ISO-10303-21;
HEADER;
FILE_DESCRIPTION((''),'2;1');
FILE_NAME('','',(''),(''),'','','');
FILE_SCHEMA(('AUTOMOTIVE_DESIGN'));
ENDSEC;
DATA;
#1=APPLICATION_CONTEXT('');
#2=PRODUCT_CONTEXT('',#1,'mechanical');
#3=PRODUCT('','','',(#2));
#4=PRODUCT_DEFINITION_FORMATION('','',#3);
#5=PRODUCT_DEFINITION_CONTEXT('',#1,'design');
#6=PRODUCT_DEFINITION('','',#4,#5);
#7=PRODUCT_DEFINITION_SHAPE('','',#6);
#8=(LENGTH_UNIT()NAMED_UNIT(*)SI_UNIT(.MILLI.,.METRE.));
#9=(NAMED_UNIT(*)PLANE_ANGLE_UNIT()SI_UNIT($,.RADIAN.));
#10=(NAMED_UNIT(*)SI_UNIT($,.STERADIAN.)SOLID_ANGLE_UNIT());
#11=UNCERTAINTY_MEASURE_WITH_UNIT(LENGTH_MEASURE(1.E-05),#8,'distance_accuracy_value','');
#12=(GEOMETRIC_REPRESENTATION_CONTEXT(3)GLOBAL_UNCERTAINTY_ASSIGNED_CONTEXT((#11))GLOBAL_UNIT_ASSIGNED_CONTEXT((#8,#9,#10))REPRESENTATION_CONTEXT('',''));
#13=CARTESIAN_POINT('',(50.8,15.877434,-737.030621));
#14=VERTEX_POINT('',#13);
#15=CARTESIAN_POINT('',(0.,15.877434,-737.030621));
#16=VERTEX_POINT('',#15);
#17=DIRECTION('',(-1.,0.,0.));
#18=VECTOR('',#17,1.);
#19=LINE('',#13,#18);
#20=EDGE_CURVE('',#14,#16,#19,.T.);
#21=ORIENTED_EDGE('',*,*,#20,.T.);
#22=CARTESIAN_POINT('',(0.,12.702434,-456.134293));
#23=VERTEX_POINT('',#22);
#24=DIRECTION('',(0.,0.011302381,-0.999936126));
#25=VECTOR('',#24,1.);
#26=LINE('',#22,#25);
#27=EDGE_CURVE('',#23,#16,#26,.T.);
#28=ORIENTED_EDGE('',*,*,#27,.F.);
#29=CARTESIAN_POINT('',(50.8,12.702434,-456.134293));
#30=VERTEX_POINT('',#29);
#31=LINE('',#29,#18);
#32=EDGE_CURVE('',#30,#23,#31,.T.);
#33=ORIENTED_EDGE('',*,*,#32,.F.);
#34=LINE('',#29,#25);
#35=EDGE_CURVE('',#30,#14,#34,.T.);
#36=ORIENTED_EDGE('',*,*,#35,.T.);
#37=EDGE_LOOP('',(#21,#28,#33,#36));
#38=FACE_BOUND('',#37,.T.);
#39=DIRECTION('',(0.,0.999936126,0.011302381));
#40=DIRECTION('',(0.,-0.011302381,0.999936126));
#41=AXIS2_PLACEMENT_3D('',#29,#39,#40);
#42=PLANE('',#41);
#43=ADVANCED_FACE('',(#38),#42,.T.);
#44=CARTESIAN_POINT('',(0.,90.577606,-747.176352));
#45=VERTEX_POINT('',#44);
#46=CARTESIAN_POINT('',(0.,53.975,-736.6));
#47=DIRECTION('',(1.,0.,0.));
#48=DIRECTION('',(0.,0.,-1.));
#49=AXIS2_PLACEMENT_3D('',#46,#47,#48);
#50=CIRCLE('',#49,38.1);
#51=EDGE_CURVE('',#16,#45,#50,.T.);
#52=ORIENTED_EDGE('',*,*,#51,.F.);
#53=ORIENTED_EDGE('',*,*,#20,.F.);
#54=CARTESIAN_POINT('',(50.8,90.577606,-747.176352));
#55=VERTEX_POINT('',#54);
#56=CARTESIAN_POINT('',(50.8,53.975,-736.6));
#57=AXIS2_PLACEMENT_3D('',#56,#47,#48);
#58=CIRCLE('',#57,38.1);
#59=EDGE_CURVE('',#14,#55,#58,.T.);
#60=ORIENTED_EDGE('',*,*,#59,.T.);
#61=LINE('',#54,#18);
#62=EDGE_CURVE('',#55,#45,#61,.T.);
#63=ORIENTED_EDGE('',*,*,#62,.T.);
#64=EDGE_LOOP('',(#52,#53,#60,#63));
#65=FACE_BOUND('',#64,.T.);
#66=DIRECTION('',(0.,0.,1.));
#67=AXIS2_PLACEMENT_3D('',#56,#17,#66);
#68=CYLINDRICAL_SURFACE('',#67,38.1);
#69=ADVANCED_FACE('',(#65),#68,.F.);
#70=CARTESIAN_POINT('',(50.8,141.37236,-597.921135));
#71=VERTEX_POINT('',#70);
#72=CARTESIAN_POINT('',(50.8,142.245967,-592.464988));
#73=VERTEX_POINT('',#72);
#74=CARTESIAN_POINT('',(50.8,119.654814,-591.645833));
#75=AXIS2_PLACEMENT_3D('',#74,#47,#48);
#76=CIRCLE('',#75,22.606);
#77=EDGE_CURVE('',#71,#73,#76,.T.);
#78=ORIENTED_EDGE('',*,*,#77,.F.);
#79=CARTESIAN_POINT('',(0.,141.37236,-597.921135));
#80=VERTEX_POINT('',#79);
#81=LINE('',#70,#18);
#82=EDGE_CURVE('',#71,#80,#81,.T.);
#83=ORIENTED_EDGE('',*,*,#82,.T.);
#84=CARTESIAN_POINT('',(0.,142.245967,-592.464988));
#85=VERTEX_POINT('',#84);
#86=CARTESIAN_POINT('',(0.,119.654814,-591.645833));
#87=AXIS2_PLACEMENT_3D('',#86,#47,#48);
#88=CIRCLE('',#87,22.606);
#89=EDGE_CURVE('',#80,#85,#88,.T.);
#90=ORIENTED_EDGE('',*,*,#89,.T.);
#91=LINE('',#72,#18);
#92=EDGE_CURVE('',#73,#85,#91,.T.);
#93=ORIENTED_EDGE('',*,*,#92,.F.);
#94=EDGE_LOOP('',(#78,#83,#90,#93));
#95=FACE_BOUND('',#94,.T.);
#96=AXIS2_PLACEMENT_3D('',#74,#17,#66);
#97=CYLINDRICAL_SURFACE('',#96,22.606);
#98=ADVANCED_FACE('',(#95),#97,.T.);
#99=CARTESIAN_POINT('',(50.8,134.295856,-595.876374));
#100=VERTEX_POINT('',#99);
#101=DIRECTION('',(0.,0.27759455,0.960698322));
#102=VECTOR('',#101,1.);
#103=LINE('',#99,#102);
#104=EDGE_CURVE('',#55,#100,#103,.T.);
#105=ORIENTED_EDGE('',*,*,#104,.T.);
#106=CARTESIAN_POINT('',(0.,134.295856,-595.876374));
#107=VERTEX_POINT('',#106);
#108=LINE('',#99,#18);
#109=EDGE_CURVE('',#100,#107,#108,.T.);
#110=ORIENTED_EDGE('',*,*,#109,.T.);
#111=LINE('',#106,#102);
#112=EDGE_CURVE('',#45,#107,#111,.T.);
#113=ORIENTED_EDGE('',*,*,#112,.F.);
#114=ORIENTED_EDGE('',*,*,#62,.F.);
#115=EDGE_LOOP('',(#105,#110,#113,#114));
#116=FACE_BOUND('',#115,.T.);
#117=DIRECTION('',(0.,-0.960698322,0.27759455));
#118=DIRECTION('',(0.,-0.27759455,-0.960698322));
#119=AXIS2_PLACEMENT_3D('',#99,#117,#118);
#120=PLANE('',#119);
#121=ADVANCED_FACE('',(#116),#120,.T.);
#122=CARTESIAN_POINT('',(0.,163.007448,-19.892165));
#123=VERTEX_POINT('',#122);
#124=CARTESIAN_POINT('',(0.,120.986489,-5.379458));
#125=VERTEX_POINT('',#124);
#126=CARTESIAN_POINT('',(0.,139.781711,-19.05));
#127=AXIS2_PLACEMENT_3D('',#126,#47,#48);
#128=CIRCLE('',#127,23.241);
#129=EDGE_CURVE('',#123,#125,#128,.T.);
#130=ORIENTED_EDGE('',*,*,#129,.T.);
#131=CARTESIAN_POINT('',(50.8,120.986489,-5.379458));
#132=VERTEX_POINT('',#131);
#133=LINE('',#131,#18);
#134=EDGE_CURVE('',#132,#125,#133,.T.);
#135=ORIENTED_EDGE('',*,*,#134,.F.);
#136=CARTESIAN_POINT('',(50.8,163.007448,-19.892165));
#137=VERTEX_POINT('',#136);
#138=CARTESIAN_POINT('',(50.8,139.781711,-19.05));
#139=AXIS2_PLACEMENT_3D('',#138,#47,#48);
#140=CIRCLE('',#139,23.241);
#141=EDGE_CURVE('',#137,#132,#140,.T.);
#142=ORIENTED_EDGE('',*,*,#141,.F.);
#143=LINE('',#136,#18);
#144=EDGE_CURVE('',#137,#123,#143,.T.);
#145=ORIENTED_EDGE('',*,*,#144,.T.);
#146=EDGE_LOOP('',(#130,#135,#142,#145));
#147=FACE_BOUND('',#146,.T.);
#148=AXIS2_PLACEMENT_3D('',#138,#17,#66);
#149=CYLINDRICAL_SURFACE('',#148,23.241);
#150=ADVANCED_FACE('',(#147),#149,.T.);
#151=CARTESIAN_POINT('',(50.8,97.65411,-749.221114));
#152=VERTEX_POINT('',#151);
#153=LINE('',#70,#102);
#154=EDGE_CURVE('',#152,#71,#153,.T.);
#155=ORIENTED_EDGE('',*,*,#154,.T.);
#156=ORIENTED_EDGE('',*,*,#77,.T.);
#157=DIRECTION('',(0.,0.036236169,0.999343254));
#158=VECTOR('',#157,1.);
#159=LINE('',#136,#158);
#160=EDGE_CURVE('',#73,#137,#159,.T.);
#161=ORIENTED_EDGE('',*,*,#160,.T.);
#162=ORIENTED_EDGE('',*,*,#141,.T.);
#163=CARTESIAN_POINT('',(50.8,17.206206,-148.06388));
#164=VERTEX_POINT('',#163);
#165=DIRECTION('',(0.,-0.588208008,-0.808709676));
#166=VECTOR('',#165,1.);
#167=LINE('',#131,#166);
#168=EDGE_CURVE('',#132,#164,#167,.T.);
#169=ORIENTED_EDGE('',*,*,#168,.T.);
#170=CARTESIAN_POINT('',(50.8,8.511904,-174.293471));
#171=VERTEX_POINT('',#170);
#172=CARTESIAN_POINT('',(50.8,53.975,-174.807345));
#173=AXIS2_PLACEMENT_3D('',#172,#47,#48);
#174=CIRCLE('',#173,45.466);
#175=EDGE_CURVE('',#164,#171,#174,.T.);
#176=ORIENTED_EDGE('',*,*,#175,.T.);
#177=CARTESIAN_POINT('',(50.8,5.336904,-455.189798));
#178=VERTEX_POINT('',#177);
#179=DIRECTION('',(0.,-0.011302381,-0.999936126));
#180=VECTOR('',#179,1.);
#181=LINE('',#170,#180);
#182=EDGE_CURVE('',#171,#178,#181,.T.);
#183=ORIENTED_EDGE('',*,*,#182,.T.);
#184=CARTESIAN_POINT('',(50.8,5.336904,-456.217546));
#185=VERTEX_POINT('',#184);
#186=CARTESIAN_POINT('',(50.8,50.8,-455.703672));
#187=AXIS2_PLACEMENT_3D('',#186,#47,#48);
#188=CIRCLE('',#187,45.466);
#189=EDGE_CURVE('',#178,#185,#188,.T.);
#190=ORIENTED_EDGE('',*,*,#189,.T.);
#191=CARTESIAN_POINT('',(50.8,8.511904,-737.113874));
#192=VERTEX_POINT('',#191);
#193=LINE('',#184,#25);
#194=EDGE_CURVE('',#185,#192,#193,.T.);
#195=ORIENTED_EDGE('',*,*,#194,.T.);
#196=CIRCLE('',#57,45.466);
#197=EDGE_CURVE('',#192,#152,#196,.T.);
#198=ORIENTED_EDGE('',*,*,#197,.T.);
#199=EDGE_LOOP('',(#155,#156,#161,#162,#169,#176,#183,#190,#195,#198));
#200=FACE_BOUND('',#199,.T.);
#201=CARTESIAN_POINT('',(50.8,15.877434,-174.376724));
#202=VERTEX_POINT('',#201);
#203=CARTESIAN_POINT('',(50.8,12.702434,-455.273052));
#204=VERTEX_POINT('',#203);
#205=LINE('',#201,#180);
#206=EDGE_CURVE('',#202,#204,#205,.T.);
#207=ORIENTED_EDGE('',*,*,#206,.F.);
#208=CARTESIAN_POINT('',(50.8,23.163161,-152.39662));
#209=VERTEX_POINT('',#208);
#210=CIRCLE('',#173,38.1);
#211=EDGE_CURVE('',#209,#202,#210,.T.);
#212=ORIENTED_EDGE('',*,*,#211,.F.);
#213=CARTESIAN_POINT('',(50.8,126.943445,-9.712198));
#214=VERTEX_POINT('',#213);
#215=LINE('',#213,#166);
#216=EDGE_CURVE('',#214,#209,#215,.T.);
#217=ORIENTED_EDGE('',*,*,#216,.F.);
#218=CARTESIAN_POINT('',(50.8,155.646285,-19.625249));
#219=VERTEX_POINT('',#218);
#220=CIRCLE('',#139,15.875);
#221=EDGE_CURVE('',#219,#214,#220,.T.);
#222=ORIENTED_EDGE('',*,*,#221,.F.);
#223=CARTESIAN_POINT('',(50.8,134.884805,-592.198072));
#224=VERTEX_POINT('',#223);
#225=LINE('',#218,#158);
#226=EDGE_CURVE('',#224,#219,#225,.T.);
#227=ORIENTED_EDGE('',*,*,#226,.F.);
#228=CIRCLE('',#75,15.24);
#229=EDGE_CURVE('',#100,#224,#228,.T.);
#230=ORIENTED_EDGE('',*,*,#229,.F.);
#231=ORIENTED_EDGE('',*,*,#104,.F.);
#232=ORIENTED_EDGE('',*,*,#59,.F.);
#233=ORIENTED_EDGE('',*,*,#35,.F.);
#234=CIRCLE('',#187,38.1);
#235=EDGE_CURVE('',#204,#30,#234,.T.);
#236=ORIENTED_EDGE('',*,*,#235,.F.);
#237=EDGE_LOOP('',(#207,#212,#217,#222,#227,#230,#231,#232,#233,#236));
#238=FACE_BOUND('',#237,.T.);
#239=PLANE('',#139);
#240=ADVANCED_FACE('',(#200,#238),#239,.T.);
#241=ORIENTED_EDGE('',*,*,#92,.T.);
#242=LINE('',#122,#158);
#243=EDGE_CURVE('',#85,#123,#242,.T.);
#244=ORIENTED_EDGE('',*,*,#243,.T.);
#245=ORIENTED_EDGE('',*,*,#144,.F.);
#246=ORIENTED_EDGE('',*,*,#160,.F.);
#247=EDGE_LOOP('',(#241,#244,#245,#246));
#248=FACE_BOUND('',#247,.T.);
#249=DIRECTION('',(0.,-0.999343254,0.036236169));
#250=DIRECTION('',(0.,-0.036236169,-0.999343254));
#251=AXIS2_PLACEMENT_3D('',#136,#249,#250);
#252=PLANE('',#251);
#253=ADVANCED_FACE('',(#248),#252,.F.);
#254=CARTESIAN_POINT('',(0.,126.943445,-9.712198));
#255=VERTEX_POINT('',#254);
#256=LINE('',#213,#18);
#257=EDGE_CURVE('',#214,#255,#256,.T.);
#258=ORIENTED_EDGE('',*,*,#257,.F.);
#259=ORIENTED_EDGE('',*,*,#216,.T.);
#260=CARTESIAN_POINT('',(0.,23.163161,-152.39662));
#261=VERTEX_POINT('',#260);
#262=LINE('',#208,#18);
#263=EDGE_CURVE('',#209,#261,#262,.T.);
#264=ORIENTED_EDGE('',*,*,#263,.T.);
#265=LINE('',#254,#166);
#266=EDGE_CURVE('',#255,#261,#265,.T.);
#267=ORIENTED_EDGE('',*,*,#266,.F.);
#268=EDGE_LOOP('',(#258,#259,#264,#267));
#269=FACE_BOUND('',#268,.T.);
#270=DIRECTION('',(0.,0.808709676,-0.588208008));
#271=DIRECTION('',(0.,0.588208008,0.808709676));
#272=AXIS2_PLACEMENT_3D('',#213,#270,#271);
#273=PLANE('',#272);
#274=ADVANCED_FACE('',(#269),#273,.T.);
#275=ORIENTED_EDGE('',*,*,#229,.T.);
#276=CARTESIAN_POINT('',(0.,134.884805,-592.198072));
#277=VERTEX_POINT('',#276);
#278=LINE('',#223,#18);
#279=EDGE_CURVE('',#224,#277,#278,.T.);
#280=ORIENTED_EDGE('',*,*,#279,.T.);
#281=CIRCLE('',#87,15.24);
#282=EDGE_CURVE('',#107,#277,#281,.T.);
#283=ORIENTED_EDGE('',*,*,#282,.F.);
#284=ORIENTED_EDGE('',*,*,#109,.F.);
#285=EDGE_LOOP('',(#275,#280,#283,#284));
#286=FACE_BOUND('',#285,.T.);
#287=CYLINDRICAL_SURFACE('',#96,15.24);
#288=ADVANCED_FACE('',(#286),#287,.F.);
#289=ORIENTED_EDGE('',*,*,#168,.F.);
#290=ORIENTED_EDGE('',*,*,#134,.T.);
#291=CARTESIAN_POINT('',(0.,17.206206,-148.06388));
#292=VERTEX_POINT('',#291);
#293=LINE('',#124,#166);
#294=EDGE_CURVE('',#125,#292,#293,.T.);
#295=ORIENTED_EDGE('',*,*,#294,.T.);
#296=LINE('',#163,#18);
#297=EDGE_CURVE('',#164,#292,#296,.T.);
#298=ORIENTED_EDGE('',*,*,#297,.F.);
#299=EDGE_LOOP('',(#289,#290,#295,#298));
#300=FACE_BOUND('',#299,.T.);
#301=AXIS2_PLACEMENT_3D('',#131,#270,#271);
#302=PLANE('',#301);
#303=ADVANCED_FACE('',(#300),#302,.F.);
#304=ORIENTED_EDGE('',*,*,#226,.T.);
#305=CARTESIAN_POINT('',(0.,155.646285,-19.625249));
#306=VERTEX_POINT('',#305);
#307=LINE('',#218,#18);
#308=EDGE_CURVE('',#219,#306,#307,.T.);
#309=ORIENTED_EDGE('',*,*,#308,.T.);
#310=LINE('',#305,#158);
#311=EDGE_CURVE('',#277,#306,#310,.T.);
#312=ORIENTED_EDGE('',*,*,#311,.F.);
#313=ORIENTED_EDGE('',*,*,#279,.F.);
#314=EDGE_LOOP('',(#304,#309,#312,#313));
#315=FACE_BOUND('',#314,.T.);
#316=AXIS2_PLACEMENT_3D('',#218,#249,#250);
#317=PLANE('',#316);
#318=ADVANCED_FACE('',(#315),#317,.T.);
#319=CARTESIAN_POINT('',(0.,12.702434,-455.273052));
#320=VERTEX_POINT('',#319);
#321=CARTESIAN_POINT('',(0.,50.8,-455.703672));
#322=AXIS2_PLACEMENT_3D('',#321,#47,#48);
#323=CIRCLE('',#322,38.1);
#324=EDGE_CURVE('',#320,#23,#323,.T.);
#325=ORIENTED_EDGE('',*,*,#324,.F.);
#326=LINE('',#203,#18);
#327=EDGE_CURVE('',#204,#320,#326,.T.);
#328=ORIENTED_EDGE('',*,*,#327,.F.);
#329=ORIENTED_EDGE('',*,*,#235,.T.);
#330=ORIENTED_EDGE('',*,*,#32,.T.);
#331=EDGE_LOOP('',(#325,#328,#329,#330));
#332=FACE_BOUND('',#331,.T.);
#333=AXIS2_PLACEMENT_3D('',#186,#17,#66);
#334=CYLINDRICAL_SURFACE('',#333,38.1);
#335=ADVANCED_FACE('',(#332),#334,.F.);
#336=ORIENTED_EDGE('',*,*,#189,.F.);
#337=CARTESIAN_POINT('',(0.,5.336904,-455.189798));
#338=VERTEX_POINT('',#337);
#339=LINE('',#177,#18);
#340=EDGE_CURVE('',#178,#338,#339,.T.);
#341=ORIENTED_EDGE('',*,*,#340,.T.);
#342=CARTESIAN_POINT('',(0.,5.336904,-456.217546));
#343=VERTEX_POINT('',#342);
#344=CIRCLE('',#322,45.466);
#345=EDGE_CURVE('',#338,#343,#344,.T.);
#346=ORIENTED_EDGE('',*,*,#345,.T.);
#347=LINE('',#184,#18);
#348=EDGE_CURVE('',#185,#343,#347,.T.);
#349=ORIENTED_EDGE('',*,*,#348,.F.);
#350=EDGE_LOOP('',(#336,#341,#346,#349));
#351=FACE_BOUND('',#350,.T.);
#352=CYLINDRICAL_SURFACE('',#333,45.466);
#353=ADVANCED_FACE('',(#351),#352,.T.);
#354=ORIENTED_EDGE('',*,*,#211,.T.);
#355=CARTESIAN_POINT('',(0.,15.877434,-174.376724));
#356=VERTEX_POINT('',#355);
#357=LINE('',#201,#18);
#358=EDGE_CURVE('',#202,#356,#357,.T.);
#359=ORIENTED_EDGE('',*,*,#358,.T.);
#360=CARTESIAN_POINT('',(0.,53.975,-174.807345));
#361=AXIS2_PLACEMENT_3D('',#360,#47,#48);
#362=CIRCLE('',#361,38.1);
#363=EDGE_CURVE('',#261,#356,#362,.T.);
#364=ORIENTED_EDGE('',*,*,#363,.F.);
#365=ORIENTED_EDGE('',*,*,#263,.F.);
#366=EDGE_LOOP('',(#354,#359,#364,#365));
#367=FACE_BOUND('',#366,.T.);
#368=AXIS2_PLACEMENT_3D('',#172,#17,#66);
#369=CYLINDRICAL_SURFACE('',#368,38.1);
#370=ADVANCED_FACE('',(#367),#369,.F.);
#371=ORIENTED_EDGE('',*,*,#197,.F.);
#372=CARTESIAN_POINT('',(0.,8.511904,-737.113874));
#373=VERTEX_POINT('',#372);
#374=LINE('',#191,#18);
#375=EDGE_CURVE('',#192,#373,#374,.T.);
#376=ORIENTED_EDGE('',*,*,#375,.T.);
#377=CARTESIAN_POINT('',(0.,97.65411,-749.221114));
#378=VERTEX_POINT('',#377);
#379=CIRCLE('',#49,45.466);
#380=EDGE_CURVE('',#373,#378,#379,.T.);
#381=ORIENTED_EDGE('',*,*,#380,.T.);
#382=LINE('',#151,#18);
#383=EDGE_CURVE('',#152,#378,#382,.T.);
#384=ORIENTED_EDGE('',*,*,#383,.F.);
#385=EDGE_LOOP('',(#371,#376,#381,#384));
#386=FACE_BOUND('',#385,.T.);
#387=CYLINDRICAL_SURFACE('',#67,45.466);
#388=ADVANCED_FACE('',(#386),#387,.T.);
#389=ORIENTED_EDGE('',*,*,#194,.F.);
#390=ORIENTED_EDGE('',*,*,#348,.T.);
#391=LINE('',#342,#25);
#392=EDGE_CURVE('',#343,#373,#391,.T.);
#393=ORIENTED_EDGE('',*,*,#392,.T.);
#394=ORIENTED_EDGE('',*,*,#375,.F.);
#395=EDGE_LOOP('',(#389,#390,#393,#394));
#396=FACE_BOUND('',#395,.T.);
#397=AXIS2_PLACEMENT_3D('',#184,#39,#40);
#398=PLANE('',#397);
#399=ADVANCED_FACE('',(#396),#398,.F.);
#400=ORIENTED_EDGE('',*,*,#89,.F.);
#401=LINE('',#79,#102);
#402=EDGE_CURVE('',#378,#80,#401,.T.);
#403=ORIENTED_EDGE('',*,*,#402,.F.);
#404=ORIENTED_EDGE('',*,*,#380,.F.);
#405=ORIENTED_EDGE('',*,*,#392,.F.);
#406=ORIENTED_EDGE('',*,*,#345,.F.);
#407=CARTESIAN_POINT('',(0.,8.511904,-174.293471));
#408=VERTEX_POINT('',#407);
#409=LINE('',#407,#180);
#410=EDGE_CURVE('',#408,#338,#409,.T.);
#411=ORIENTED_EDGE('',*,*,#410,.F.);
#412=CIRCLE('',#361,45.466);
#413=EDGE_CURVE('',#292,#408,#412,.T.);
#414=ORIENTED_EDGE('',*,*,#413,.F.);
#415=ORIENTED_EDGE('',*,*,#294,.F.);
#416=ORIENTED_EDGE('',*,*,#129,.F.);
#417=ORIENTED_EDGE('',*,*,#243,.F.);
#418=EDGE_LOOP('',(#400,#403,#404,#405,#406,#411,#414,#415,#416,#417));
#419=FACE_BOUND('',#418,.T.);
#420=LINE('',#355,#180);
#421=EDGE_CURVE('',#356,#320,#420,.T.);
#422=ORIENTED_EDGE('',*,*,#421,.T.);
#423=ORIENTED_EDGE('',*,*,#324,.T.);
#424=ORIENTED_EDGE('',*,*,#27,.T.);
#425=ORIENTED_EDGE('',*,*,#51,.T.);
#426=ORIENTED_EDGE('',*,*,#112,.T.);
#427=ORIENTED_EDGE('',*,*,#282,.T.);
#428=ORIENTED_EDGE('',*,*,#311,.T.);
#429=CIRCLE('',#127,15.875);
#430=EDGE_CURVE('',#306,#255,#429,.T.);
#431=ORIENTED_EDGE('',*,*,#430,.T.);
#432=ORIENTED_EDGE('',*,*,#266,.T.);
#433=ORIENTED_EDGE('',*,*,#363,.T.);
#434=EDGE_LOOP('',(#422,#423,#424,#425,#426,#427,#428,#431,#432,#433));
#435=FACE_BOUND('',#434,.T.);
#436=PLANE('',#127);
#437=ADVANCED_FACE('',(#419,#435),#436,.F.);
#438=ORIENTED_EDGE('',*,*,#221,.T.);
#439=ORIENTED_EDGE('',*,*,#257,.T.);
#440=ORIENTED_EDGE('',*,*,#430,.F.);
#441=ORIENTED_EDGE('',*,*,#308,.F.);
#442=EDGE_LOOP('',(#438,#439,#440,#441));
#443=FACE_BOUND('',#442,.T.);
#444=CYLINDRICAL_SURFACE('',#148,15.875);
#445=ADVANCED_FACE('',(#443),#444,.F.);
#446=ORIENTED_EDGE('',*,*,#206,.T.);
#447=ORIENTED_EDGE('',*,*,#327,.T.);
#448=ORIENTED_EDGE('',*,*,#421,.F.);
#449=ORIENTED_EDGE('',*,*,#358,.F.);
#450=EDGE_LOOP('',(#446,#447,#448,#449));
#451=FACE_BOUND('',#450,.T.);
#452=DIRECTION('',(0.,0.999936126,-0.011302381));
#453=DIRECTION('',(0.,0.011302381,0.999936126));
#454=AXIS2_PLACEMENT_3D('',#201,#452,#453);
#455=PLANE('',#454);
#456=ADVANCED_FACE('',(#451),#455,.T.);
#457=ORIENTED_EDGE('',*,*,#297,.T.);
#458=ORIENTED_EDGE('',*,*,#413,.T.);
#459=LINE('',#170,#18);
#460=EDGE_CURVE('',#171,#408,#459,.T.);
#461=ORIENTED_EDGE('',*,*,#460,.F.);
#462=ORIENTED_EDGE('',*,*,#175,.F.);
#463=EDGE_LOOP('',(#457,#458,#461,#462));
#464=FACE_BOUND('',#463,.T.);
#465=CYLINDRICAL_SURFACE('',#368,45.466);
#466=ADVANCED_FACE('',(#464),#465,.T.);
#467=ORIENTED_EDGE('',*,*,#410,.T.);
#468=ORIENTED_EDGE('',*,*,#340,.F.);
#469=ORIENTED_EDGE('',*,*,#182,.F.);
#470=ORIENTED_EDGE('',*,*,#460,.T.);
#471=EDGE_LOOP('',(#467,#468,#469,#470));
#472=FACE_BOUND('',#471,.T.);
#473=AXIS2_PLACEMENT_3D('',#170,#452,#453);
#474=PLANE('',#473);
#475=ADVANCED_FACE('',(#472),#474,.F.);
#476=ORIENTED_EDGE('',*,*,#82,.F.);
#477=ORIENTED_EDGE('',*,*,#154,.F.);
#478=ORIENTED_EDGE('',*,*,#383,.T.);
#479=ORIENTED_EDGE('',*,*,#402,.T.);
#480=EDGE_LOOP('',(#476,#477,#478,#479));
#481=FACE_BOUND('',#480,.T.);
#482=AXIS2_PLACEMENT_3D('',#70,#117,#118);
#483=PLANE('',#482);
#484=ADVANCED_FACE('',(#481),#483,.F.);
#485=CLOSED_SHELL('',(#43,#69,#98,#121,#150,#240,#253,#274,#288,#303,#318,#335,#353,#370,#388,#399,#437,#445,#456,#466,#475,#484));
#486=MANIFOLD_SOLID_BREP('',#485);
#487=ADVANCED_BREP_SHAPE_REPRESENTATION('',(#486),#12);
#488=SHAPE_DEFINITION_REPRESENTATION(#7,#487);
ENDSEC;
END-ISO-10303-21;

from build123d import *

# Parameters (mm, degrees)
EXTRUDE_THIN1_DEPTH = 50.8


with BuildPart() as part:
    # Sketch1 → Extrude-Thin1 (new body)
    with BuildSketch(Plane(origin=(0, 0, 0), x_dir=(0, 0, -1), z_dir=(1, 0, 0))):
        with BuildLine():
            Line((737.113874036, 8.511904093), (456.21754645, 5.336904093))
            ThreePointArc((456.21754645, 5.336904093), (455.703672415, 5.334), (455.189798379, 5.336904093))
            Line((455.189798379, 5.336904093), (174.293470793, 8.511904093))
            ThreePointArc((174.293470793, 8.511904093), (160.502158444, 10.818090953), (148.063879552, 17.206205881))
            Line((148.063879552, 17.206205881), (5.379457693, 120.98648949))
            ThreePointArc((5.379457693, 120.98648949), (-2.917750189, 147.368675717), (19.892164793, 163.00744764))
            Line((19.892164793, 163.00744764), (592.464987809, 142.245967303))
            ThreePointArc((592.464987809, 142.245967303), (595.219854288, 141.976498391), (597.921135385, 141.372359959))
            Line((597.921135385, 141.372359959), (749.221113821, 97.654109903))
            ThreePointArc((749.221113821, 97.654109903), (781.652360545, 47.85601599), (737.113874036, 8.511904093))
        make_face()
        with BuildLine():
            Line((737.0306207, 15.877433597), (456.134293115, 12.702433597))
            ThreePointArc((456.134293115, 12.702433597), (455.703672415, 12.7), (455.273051714, 12.702433597))
            Line((455.273051714, 12.702433597), (174.376724129, 15.877433597))
            ThreePointArc((174.376724129, 15.877433597), (162.819758473, 17.809992419), (152.396619736, 23.163161353))
            Line((152.396619736, 23.163161353), (9.712197878, 126.943444962))
            ThreePointArc((9.712197878, 126.943444962), (4.044706155, 144.96406397), (19.625249176, 155.646285228))
            Line((19.625249176, 155.646285228), (592.198072192, 134.884804891))
            ThreePointArc((592.198072192, 134.884804891), (594.055285548, 134.703140457), (595.876373928, 134.29585612))
            Line((595.876373928, 134.29585612), (747.176352364, 90.577606064))
            ThreePointArc((747.176352364, 90.577606064), (774.353374758, 48.847359768), (737.0306207, 15.877433597))
        make_face(mode=Mode.SUBTRACT)
    extrude(amount=EXTRUDE_THIN1_DEPTH)


solid = part.part
